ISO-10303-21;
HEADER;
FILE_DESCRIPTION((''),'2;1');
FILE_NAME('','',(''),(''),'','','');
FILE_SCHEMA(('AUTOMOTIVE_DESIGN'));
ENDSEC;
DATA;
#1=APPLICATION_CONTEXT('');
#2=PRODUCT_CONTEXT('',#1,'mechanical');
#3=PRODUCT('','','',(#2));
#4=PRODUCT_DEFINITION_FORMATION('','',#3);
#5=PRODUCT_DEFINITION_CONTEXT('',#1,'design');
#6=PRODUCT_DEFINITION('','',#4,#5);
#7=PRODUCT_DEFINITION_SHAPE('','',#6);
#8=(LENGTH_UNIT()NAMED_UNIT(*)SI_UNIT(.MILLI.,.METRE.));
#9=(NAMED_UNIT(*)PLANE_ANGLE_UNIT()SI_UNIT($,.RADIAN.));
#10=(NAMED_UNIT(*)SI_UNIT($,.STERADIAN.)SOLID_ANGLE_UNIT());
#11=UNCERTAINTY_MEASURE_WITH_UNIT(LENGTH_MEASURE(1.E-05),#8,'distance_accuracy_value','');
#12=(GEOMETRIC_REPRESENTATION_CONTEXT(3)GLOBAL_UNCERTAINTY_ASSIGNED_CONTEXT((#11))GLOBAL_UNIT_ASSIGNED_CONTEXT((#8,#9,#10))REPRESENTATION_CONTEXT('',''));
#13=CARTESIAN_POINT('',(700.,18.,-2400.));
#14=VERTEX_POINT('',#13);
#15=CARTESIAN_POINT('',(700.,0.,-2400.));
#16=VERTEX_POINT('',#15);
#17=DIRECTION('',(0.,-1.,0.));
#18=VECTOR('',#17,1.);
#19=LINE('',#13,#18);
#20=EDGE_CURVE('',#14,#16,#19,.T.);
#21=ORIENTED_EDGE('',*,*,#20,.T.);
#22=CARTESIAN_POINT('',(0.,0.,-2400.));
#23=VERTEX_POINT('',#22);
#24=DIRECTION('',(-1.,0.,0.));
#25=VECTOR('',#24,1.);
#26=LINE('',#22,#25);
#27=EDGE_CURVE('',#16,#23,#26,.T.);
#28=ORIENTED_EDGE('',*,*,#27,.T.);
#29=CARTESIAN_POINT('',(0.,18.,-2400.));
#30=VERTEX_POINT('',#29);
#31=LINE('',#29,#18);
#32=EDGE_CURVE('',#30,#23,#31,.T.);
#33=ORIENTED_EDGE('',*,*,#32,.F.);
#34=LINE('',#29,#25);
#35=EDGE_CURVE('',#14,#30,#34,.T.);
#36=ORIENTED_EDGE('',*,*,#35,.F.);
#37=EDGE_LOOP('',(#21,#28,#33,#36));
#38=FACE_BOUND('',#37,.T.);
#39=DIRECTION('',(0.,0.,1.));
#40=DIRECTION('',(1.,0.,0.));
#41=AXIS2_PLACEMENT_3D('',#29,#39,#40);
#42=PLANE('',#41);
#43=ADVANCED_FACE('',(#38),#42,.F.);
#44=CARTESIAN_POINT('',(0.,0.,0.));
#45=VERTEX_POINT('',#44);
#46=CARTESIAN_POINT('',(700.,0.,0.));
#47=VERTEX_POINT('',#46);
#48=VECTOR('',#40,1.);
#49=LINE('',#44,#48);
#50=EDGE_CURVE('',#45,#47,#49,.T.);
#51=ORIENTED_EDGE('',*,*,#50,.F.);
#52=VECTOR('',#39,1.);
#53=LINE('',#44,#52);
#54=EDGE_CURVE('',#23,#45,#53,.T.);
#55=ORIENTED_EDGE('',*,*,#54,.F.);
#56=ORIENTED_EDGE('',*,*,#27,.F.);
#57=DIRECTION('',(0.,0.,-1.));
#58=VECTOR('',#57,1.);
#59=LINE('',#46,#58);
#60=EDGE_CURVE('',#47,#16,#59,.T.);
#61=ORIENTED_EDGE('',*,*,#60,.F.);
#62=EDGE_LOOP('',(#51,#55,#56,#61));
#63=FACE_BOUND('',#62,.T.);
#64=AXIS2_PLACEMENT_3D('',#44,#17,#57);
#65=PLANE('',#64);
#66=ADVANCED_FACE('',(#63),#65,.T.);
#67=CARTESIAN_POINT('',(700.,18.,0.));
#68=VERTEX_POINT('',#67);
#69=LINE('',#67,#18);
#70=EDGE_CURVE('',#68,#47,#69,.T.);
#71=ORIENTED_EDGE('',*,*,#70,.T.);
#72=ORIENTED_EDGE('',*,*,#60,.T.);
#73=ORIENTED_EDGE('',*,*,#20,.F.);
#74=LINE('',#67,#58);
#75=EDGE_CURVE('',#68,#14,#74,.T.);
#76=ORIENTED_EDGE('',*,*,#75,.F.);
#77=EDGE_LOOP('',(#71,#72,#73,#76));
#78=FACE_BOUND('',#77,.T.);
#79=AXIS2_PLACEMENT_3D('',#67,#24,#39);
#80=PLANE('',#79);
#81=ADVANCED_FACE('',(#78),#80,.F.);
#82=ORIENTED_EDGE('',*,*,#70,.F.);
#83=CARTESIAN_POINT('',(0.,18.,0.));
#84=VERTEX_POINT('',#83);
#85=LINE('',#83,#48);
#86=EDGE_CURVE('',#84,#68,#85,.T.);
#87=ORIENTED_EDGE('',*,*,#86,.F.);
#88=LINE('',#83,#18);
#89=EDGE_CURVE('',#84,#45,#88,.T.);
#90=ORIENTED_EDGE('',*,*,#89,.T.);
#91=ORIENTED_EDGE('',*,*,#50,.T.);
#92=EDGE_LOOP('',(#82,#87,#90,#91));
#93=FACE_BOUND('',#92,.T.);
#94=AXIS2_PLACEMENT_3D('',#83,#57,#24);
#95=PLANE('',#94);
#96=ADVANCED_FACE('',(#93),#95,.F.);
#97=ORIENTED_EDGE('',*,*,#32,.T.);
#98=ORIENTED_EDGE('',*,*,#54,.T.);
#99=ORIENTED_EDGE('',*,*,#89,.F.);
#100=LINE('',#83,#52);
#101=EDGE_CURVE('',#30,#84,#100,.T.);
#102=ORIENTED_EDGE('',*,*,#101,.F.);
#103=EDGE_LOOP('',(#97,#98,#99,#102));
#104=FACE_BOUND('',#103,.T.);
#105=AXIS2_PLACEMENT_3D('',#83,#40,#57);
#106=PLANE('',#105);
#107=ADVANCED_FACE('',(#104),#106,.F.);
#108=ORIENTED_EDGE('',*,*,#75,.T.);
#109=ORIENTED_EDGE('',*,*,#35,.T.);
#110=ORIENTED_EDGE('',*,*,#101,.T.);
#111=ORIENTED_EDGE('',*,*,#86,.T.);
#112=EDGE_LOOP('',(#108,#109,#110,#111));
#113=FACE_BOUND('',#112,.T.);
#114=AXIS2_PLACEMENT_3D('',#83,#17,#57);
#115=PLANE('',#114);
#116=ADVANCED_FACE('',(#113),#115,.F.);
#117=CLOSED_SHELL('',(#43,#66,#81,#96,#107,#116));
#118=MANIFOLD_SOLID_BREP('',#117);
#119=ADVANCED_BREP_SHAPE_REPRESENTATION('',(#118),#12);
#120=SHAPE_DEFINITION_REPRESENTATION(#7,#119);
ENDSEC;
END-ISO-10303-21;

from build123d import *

# Parameters (mm, degrees)
SKETCH1_W           = 700
SKETCH1_H           = 2400
BOSS_EXTRUDE1_DEPTH = 18


with BuildPart() as part:
    # Sketch1 → Boss-Extrude1 (new body)
    with BuildSketch(Plane(origin=(0, 0, 0), x_dir=(1, 0, 0), z_dir=(0, 1, 0))):
        with Locations((350, 1200)):
            Rectangle(SKETCH1_W, SKETCH1_H)
    extrude(amount=BOSS_EXTRUDE1_DEPTH)


solid = part.part
